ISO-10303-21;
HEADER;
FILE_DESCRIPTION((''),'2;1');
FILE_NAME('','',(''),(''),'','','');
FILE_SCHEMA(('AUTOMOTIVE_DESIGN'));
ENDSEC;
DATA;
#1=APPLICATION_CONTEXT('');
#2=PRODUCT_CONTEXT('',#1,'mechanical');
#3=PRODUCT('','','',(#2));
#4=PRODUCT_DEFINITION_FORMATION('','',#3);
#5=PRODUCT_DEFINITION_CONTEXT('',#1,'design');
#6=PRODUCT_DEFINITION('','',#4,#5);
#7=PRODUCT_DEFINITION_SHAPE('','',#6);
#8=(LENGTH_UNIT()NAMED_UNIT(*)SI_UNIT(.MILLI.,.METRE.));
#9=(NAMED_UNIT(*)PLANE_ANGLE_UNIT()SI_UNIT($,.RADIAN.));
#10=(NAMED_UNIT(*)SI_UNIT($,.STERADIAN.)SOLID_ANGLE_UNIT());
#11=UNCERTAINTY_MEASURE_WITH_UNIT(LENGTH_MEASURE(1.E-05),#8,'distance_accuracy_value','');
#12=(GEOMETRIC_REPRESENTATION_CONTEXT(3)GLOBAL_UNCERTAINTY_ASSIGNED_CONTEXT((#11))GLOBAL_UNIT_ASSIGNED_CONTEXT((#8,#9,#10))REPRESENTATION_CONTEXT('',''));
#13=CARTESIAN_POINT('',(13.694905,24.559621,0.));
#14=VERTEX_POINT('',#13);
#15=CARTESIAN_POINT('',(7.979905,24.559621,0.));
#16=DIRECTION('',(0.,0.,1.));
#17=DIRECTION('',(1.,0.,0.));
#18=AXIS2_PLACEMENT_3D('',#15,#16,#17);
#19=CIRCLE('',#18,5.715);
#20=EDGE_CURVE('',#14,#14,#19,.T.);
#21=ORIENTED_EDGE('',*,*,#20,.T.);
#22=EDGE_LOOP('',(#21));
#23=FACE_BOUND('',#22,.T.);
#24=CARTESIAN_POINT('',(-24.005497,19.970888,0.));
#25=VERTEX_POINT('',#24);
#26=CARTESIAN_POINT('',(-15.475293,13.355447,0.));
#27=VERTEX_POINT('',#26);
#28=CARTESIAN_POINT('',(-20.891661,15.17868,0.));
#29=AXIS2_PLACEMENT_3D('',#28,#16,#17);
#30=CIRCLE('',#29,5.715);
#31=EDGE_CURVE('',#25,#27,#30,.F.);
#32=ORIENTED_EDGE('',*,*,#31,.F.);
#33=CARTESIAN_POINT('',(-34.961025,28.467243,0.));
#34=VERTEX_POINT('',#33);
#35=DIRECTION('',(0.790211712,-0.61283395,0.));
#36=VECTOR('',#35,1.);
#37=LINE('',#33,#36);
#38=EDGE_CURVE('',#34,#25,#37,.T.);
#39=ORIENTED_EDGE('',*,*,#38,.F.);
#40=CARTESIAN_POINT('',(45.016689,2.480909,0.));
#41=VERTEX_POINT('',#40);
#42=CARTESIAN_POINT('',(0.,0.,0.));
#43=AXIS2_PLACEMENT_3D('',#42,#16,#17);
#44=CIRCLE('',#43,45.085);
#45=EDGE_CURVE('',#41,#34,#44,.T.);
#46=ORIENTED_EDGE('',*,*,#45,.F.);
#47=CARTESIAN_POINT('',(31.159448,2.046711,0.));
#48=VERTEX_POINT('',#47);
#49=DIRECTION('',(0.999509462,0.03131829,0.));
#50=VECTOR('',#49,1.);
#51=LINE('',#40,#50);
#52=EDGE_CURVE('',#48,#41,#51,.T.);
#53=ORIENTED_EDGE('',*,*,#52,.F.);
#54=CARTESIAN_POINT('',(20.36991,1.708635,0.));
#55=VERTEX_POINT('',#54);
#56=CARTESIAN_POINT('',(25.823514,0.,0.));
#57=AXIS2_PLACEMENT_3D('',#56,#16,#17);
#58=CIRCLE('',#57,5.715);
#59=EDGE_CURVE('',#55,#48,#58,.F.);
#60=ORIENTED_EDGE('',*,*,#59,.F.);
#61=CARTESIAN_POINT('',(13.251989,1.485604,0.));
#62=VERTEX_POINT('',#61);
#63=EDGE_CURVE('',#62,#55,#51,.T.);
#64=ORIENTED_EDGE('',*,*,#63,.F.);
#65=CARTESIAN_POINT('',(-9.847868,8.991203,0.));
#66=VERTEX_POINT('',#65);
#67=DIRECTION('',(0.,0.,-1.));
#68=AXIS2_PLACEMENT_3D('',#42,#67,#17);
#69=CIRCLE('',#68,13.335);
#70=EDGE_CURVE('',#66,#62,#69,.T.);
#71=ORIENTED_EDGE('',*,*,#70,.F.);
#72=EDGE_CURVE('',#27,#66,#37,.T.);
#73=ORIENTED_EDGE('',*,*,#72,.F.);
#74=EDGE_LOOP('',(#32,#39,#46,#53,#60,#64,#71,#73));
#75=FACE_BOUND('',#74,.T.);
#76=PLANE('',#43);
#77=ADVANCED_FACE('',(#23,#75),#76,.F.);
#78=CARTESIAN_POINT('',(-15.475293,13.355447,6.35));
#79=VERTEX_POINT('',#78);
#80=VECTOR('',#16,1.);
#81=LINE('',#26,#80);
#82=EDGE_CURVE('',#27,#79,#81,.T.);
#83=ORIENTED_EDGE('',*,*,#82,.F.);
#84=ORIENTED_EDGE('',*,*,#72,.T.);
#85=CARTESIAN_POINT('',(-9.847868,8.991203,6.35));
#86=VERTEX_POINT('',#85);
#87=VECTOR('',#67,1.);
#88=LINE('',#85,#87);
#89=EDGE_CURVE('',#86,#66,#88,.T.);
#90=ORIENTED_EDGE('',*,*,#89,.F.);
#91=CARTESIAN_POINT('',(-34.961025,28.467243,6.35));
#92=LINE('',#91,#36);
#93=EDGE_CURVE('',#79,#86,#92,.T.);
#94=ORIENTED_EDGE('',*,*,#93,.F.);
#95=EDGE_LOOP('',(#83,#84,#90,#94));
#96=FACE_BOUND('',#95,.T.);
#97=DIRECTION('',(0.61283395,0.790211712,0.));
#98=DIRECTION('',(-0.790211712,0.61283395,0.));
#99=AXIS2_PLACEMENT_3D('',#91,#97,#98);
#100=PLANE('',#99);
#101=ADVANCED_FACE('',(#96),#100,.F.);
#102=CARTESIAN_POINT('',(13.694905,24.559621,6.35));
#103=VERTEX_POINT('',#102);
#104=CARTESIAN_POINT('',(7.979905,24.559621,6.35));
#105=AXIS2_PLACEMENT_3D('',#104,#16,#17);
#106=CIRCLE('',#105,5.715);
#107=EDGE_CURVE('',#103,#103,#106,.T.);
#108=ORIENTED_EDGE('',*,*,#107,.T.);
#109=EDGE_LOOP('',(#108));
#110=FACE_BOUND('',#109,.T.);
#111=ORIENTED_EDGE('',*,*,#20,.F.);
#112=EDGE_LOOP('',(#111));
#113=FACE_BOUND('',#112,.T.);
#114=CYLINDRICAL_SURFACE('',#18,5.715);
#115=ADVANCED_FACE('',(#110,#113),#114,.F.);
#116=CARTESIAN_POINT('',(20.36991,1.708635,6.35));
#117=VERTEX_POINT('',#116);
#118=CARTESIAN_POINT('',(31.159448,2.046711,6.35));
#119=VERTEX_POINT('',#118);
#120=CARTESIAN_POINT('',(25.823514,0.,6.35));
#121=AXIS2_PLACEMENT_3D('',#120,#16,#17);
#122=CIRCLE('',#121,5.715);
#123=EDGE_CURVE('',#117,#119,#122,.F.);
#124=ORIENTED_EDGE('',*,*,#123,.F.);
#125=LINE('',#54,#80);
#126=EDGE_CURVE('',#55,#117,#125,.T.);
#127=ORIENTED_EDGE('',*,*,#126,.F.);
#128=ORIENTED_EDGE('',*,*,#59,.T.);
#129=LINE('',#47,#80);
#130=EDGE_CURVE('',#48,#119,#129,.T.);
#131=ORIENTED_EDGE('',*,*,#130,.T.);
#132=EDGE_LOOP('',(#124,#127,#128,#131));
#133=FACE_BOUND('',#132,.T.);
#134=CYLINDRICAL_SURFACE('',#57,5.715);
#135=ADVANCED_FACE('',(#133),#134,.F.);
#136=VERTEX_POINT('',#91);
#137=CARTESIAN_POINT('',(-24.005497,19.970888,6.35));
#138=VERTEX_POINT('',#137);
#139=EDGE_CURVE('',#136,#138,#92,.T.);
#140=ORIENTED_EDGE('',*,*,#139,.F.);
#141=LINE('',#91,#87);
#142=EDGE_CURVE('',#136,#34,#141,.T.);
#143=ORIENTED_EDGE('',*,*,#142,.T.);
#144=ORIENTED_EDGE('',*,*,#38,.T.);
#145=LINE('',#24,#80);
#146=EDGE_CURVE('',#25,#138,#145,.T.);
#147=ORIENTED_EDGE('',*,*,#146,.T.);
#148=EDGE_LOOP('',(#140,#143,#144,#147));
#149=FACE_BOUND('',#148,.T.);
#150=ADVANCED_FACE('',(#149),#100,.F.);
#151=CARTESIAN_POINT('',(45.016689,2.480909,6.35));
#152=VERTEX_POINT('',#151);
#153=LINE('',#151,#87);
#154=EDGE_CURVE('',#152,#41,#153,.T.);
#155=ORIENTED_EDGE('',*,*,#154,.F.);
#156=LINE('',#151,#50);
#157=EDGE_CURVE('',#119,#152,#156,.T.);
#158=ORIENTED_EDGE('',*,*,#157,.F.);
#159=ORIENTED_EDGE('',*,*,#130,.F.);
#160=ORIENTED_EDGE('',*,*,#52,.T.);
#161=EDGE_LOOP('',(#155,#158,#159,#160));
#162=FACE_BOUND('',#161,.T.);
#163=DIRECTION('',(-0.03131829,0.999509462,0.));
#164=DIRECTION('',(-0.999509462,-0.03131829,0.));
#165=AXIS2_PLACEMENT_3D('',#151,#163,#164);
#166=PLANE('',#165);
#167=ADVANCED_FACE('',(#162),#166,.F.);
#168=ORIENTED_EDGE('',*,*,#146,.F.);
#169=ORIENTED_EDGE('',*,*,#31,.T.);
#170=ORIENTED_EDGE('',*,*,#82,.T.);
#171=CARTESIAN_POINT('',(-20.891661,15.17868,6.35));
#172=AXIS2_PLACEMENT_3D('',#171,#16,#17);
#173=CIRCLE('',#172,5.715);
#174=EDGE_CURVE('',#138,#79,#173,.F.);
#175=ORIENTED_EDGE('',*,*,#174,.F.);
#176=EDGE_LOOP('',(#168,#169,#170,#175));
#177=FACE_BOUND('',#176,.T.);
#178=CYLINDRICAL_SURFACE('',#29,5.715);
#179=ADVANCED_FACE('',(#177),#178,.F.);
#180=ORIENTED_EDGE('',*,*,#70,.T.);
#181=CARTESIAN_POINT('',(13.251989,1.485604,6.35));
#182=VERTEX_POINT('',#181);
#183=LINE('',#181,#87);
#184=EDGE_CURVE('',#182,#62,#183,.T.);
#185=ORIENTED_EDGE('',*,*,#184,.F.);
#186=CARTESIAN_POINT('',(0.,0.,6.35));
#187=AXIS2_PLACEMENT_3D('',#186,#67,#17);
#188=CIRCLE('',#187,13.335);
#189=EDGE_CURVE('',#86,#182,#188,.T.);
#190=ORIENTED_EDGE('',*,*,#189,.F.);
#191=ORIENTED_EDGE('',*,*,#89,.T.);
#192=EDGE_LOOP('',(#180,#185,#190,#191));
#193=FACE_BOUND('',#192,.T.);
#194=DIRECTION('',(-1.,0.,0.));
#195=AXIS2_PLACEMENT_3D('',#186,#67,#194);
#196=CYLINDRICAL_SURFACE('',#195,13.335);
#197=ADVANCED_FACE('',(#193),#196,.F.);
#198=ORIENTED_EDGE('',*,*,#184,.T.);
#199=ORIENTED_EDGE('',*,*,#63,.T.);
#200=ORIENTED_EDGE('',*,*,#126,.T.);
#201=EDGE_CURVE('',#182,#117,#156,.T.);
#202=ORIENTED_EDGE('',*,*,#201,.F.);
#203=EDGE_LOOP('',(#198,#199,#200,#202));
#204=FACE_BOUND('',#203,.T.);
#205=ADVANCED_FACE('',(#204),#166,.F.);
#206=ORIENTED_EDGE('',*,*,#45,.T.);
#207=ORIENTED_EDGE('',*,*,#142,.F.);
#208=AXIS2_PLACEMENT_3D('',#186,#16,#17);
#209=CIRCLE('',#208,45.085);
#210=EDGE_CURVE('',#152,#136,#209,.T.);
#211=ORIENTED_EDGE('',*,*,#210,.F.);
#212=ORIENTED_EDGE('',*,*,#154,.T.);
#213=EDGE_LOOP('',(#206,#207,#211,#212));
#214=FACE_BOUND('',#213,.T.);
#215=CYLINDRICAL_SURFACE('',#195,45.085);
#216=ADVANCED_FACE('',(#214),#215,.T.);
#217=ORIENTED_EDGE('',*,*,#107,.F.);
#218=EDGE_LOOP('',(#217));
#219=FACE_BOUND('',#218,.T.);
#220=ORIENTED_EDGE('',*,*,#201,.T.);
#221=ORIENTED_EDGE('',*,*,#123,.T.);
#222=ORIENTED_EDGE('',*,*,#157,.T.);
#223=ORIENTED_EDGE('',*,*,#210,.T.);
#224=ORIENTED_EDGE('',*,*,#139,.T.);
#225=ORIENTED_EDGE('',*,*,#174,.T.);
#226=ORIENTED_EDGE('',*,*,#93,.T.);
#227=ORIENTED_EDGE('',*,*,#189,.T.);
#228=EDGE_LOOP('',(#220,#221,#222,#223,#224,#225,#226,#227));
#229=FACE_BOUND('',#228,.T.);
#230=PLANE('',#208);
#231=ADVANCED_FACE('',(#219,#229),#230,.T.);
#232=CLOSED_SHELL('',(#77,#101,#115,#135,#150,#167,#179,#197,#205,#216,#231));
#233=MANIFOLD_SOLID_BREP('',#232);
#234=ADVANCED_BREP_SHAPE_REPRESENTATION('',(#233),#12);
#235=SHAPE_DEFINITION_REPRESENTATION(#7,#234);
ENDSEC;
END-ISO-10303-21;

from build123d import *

# Parameters (mm, degrees)
BOSS_EXTRUDE1_DEPTH = 6.35
SKETCH15_R          = 5.715
CUT_EXTRUDE1_DEPTH  = 65.027197676


with BuildPart() as part:
    # Sketch13 → Boss-Extrude1 (new body)
    with BuildSketch(Plane.XY):
        with BuildLine():
            Line((-34.961025172, 28.467243349), (-9.847867764, 8.991202672))
            ThreePointArc((-9.847867764, 8.991202672), (4.12074162, 12.682338645), (13.251988711, 1.485604323))
            Line((13.251988711, 1.485604323), (45.016689319, 2.480908651))
            ThreePointArc((45.016689319, 2.480908651), (13.932031191, 42.878383037), (-34.961025172, 28.467243349))
        make_face()
    extrude(amount=BOSS_EXTRUDE1_DEPTH)

    # Sketch15 → Cut-Extrude1 (cut, through all)
    with BuildSketch(Plane.XY.offset(6.35)):
        with BuildLine():
            ThreePointArc((-15.475292944, 13.355447276), (-17.389315258, 19.694740336), (-24.005496972, 19.970887857))
            Line((-24.005496972, 19.970887857), (-15.475292944, 13.355447276))
        make_face()
        with Locations((7.979904528, 24.559620794)):
            Circle(SKETCH15_R)
        with BuildLine():
            ThreePointArc((31.159448366, 2.046710575), (25.644529482, 5.712196576), (20.369909931, 1.708634847))
            Line((20.369909931, 1.708634847), (31.159448366, 2.046710575))
        make_face()
    extrude(amount=-CUT_EXTRUDE1_DEPTH, mode=Mode.SUBTRACT)


solid = part.part
